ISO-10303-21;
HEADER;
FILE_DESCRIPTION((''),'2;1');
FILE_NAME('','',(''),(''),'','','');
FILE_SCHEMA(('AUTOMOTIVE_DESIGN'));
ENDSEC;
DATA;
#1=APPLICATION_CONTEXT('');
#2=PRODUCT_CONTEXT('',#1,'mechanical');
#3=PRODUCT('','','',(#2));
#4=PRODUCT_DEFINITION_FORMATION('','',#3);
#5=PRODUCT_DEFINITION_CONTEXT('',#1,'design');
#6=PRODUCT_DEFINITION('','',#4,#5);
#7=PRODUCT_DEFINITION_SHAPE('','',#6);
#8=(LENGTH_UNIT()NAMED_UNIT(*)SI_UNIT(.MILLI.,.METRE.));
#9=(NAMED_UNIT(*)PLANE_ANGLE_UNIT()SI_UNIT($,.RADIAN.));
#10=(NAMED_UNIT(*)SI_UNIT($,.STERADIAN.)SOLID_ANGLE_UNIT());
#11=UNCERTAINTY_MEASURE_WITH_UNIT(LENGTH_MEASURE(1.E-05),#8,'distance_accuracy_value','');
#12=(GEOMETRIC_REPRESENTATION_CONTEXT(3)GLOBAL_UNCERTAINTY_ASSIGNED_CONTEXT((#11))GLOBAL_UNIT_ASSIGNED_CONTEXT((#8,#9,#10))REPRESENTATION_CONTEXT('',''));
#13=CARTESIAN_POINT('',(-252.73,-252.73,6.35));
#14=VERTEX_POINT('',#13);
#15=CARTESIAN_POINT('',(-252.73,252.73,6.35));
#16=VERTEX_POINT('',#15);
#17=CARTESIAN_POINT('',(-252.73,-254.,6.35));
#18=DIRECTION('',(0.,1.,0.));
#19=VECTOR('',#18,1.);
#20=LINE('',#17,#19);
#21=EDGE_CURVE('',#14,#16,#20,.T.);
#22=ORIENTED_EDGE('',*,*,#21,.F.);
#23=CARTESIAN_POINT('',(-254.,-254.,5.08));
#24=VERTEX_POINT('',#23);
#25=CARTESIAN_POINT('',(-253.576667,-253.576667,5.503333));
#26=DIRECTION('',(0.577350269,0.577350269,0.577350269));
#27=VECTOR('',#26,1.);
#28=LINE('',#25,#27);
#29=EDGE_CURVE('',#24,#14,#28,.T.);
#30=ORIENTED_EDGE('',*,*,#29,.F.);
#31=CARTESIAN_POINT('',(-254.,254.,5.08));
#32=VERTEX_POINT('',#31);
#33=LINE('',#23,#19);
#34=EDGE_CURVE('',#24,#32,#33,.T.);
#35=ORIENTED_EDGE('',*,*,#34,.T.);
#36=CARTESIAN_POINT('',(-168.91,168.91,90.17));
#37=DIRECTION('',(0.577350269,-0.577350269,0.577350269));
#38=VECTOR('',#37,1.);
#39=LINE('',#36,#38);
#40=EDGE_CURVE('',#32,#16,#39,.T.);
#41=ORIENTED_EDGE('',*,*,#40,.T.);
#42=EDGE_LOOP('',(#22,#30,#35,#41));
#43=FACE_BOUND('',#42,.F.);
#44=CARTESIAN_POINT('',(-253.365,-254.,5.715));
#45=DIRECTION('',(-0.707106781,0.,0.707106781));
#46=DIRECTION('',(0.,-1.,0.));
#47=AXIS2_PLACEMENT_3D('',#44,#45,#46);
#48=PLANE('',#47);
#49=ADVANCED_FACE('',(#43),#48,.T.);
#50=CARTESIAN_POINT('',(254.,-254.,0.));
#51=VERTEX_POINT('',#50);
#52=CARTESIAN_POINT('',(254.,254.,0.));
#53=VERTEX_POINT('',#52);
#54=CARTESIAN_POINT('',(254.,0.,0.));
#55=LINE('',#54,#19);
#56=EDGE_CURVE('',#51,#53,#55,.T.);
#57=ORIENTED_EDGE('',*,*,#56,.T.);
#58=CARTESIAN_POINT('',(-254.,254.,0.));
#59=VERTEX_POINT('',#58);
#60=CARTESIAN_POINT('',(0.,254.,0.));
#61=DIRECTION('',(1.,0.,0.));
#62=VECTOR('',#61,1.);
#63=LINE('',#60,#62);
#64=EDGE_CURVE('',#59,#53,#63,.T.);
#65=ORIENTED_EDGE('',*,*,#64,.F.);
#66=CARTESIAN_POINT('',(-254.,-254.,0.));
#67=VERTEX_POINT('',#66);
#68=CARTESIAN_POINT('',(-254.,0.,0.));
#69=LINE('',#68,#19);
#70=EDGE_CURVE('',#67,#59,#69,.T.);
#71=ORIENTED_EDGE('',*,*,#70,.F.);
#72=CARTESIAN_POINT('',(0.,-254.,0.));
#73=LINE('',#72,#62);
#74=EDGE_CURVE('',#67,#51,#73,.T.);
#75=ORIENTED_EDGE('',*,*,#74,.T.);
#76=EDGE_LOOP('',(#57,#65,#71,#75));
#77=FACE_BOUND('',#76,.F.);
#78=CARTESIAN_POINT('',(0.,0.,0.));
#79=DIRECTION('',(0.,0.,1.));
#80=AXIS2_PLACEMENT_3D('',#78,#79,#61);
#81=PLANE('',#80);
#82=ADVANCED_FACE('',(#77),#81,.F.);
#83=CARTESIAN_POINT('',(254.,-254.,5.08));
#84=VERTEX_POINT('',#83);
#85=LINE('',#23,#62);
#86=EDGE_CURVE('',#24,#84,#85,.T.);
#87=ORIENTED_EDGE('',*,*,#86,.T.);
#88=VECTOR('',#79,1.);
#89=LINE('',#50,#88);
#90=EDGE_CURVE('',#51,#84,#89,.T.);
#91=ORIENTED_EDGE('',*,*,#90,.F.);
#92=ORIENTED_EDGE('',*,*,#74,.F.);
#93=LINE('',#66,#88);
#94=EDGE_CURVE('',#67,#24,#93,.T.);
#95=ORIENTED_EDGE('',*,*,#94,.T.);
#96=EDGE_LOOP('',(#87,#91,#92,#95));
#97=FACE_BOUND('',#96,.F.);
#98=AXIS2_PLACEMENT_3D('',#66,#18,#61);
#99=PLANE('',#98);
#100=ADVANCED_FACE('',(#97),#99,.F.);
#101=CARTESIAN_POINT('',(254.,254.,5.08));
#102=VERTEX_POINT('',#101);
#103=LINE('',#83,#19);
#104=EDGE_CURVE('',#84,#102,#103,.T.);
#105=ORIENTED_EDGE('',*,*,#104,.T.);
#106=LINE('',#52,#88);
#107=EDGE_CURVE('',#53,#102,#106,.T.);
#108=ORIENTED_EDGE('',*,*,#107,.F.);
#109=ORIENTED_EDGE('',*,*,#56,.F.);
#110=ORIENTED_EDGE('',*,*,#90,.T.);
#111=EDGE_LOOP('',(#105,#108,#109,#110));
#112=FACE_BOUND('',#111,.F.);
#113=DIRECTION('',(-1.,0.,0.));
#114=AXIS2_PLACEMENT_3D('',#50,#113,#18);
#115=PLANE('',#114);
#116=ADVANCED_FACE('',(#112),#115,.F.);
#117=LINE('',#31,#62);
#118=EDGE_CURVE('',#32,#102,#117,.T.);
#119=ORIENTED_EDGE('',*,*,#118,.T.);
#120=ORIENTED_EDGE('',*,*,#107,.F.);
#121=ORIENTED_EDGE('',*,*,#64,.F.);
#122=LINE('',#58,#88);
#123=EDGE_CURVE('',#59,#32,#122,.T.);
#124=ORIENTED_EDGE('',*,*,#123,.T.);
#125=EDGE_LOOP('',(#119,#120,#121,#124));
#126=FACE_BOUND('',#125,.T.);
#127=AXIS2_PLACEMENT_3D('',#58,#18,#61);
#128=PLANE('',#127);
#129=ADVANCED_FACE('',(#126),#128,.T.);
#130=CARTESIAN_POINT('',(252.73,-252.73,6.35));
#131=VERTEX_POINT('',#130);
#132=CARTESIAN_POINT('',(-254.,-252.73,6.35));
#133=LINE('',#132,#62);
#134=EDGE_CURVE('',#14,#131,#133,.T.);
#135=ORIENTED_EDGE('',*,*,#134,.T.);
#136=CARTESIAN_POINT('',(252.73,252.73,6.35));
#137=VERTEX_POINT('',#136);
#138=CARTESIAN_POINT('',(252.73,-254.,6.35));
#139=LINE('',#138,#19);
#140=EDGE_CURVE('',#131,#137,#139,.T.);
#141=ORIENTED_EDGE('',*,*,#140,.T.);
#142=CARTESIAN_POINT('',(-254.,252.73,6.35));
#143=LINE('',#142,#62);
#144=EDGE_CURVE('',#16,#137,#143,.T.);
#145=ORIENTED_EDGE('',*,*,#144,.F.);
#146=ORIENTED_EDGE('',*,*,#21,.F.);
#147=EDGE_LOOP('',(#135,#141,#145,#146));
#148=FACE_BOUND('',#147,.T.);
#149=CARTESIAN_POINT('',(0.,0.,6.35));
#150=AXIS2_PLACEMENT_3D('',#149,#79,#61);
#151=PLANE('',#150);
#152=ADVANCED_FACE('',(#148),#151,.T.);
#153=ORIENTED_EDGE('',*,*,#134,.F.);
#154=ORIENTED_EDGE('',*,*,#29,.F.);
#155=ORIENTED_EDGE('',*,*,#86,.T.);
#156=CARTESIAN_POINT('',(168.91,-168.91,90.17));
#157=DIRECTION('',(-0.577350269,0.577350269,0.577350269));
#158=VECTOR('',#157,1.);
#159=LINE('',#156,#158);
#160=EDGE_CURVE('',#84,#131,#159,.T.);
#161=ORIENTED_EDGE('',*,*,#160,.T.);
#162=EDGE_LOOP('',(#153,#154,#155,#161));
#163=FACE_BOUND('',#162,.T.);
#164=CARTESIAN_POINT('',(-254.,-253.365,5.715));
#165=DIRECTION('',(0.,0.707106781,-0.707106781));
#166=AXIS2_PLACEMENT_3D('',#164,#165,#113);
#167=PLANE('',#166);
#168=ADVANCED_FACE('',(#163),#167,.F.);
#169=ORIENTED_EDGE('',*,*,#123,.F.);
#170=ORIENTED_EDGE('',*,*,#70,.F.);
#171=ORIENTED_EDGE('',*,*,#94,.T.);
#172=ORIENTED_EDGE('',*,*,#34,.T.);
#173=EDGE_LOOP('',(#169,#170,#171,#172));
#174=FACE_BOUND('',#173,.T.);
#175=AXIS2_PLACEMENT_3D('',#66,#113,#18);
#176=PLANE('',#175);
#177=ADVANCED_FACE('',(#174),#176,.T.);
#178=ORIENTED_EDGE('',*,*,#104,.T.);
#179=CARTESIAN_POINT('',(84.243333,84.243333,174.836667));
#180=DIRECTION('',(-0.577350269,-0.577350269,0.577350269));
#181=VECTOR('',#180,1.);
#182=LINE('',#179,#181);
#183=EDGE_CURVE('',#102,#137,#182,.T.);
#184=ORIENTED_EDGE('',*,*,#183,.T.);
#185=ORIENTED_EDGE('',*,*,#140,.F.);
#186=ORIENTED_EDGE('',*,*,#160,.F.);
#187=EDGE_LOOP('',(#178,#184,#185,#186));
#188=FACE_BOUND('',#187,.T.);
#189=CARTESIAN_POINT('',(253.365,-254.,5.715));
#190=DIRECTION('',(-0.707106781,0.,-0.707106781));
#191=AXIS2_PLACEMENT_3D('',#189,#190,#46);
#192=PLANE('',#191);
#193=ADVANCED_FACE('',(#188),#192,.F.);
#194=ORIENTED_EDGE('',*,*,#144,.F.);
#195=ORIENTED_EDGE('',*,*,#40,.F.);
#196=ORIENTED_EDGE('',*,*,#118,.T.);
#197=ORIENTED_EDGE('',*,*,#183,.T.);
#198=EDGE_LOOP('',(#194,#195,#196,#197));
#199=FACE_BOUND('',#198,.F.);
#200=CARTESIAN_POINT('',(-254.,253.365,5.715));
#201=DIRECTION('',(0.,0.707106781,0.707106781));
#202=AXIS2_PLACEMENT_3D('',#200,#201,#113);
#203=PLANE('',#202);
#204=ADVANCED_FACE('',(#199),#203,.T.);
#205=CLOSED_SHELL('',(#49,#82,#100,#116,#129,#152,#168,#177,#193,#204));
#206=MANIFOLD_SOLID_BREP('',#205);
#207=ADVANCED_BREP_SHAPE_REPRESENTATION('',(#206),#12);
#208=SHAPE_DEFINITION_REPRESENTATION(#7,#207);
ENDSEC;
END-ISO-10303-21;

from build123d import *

# Parameters (mm, degrees)
F0_W     = 508
F0_H     = 508
F1_DEPTH = 6.35
F2_SIZE  = 1.27


with BuildPart() as f1:
    # F0 (on Top) → F1 (new body)
    with BuildSketch(Plane.XY):
        Rectangle(F0_W, F0_H)
    extrude(amount=F1_DEPTH)

    # F2
    f2_edges = [f1.edges().sort_by_distance(p)[0] for p in [
        (254, 0, 6.35),
        (0, 254, 6.35),
        (-254, 0, 6.35),
        (0, -254, 6.35),
    ]]
    chamfer(f2_edges, length=F2_SIZE)


solid = f1.part
